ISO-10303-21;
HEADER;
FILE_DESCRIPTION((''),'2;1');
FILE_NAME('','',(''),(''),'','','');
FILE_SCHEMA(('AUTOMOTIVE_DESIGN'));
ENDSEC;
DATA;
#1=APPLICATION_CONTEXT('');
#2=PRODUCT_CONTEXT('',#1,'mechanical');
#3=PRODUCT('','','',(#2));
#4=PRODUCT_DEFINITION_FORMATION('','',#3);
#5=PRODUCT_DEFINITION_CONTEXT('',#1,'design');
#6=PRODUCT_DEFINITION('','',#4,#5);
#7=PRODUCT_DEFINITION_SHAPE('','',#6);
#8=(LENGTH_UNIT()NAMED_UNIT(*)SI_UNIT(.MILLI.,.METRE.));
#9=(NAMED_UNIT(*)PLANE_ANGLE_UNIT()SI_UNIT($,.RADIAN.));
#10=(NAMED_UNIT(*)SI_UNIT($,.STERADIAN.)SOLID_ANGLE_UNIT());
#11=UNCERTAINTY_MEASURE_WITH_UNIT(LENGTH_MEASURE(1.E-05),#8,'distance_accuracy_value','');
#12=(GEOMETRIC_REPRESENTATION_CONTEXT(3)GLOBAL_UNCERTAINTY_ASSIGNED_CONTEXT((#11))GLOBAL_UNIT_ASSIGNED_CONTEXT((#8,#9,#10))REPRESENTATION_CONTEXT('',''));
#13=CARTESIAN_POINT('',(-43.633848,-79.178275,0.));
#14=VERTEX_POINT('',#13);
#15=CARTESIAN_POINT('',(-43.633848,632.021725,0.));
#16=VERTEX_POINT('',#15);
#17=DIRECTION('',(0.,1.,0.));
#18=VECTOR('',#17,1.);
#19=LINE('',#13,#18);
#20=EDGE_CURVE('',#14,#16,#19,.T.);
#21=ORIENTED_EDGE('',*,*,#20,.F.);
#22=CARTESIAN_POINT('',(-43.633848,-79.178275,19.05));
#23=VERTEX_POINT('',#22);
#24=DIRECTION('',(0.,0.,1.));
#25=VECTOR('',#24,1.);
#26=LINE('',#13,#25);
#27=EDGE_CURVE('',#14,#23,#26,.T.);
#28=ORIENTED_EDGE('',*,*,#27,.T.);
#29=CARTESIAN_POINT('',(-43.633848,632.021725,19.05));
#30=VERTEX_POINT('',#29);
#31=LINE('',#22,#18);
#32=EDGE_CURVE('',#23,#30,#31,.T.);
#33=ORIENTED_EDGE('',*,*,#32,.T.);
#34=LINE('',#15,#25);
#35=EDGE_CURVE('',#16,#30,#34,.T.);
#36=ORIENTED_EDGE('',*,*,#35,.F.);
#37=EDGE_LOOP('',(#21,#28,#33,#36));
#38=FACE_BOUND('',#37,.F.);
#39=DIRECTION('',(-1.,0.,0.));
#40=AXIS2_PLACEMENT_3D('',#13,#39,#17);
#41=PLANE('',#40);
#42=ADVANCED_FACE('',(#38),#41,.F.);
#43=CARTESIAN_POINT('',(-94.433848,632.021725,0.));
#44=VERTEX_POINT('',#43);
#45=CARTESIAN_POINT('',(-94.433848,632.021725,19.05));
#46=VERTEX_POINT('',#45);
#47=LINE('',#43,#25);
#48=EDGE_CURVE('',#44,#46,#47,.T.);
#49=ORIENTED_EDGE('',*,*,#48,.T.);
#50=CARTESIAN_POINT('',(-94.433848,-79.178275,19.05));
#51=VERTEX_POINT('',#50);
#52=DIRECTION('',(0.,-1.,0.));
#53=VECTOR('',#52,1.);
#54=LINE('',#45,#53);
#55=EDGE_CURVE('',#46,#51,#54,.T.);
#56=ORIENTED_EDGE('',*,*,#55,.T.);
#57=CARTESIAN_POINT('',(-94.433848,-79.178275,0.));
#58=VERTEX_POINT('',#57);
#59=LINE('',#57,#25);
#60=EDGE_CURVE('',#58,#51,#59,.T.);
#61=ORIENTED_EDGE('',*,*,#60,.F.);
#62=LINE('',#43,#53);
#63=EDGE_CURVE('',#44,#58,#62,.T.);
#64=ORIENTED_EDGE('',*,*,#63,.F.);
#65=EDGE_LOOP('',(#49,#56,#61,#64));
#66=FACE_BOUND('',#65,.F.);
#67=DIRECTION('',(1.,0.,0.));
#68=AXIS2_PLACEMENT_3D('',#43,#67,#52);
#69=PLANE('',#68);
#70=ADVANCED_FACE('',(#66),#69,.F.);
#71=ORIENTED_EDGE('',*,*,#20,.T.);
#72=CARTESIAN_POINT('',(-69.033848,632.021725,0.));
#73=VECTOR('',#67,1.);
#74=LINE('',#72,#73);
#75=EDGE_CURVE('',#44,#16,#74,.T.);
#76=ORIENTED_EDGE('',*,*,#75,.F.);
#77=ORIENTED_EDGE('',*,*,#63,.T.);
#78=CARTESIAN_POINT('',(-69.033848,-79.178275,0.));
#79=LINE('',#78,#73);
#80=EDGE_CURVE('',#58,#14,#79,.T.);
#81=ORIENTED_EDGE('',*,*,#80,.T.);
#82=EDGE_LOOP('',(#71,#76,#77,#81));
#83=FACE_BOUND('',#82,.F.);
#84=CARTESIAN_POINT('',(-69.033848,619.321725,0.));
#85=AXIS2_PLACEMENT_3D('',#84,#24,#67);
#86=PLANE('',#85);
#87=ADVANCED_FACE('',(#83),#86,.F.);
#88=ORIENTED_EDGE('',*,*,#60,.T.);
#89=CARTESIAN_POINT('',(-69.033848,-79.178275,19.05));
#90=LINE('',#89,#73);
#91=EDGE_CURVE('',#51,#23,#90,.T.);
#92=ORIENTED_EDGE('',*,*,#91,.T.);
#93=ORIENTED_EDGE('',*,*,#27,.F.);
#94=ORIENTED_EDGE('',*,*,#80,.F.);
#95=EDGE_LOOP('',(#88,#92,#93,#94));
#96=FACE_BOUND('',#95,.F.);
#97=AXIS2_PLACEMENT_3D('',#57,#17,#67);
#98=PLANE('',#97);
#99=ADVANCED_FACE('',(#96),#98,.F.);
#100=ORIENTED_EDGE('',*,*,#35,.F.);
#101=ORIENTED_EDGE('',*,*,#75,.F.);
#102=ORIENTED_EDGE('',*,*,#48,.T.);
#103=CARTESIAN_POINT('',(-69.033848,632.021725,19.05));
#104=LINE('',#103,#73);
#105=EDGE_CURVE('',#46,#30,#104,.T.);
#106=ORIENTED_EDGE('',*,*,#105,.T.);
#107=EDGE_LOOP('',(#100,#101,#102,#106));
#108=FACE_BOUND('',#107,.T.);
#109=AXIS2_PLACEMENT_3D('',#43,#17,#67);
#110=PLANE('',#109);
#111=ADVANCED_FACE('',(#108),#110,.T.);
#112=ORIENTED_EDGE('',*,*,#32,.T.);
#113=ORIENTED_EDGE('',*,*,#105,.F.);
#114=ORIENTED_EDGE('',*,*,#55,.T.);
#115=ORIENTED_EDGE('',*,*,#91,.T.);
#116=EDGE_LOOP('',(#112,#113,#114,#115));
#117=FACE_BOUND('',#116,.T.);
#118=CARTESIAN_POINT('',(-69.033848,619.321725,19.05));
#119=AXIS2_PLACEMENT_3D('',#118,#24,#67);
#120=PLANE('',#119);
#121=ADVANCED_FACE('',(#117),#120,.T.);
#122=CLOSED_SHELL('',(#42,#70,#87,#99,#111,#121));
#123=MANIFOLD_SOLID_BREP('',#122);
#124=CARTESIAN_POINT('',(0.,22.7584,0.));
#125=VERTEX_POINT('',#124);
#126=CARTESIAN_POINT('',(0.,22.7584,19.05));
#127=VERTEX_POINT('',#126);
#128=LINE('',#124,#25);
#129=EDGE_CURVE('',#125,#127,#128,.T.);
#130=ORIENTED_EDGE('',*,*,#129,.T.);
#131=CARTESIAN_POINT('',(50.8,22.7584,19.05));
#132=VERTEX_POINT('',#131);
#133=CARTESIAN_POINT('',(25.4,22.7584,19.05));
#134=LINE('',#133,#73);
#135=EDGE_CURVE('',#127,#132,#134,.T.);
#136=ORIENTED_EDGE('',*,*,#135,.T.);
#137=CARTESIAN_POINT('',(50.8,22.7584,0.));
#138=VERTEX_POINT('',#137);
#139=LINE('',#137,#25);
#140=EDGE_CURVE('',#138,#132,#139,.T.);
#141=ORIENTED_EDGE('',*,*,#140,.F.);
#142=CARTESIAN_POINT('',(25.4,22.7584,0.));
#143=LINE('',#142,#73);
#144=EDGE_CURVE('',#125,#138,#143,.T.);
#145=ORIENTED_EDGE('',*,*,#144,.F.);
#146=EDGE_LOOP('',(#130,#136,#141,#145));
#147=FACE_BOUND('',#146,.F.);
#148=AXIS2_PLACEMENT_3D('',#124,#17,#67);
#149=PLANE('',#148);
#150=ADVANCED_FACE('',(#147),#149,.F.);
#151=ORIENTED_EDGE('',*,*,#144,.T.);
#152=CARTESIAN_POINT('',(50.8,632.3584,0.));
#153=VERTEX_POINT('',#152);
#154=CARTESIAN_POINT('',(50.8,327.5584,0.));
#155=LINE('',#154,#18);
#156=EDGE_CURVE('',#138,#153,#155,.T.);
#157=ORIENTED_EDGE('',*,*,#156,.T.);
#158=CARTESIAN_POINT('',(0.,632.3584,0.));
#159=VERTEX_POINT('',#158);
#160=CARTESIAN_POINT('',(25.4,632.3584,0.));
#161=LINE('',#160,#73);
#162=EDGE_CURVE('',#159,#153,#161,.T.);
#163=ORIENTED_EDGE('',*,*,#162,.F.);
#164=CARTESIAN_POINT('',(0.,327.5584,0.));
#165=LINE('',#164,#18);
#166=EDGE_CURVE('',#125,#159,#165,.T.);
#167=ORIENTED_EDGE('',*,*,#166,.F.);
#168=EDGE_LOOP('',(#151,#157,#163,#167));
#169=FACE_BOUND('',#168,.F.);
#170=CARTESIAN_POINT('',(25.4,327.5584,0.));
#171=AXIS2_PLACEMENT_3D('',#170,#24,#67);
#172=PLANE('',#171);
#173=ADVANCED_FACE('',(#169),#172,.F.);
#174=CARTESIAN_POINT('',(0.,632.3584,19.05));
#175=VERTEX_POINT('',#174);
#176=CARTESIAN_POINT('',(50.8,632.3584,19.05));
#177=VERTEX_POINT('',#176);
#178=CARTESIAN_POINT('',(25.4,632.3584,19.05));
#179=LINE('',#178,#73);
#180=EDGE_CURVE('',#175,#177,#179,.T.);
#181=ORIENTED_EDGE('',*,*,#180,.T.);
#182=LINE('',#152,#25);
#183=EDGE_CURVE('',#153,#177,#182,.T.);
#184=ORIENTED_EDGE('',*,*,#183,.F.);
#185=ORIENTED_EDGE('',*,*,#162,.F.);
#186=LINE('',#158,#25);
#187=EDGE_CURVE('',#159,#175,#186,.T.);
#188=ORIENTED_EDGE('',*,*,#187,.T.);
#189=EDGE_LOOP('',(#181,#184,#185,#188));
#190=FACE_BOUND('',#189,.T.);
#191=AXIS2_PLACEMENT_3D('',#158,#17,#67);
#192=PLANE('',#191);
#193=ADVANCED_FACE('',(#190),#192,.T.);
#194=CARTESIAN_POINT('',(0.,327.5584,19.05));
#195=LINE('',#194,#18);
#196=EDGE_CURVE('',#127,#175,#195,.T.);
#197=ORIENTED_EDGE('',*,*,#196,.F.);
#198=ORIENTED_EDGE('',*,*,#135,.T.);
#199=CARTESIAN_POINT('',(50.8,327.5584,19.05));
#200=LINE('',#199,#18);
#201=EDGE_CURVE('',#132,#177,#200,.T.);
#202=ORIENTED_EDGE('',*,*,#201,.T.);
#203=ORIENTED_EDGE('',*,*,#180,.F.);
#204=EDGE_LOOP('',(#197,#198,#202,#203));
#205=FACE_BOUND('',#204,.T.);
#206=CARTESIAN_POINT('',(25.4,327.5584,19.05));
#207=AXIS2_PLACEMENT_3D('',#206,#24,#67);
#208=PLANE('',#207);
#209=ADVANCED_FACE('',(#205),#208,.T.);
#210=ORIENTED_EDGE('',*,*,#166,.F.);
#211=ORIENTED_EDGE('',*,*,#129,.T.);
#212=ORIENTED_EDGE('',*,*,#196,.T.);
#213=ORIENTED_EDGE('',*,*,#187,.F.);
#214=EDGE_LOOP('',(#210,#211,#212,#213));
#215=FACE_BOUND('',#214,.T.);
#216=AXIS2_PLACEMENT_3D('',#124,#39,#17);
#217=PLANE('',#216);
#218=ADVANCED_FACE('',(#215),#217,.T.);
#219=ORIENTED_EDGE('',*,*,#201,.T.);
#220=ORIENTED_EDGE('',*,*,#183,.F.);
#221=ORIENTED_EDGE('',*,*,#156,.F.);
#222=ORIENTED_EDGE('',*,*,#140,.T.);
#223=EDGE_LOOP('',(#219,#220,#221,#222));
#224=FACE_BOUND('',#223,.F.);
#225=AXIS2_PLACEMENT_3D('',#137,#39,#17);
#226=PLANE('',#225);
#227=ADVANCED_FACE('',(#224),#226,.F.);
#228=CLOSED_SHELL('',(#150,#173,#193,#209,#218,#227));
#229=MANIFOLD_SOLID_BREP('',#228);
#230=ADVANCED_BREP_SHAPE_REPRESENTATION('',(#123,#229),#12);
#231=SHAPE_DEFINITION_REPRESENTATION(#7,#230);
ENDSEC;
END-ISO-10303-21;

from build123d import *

# Parameters (mm, degrees)
F0_W     = 50.8
F0_H     = 609.6
F0_H_2   = 25.4
F0_H_3   = 660.4
F1_DEPTH = 19.05


with BuildPart() as f1:
    # F0 (on Top) → F1 (new body)
    with BuildSketch(Plane.XY):
        with Locations((25.4, 327.5584)):
            Rectangle(F0_W, F0_H)
        with Locations((-69.033848, 619.321725)):
            Rectangle(F0_W, F0_H_2)
        with Locations((-69.033848, 276.421725)):
            Rectangle(F0_W, F0_H_3)
        with Locations((-69.033848, -66.478275)):
            Rectangle(F0_W, F0_H_2)
    extrude(amount=F1_DEPTH)


solid = f1.part
